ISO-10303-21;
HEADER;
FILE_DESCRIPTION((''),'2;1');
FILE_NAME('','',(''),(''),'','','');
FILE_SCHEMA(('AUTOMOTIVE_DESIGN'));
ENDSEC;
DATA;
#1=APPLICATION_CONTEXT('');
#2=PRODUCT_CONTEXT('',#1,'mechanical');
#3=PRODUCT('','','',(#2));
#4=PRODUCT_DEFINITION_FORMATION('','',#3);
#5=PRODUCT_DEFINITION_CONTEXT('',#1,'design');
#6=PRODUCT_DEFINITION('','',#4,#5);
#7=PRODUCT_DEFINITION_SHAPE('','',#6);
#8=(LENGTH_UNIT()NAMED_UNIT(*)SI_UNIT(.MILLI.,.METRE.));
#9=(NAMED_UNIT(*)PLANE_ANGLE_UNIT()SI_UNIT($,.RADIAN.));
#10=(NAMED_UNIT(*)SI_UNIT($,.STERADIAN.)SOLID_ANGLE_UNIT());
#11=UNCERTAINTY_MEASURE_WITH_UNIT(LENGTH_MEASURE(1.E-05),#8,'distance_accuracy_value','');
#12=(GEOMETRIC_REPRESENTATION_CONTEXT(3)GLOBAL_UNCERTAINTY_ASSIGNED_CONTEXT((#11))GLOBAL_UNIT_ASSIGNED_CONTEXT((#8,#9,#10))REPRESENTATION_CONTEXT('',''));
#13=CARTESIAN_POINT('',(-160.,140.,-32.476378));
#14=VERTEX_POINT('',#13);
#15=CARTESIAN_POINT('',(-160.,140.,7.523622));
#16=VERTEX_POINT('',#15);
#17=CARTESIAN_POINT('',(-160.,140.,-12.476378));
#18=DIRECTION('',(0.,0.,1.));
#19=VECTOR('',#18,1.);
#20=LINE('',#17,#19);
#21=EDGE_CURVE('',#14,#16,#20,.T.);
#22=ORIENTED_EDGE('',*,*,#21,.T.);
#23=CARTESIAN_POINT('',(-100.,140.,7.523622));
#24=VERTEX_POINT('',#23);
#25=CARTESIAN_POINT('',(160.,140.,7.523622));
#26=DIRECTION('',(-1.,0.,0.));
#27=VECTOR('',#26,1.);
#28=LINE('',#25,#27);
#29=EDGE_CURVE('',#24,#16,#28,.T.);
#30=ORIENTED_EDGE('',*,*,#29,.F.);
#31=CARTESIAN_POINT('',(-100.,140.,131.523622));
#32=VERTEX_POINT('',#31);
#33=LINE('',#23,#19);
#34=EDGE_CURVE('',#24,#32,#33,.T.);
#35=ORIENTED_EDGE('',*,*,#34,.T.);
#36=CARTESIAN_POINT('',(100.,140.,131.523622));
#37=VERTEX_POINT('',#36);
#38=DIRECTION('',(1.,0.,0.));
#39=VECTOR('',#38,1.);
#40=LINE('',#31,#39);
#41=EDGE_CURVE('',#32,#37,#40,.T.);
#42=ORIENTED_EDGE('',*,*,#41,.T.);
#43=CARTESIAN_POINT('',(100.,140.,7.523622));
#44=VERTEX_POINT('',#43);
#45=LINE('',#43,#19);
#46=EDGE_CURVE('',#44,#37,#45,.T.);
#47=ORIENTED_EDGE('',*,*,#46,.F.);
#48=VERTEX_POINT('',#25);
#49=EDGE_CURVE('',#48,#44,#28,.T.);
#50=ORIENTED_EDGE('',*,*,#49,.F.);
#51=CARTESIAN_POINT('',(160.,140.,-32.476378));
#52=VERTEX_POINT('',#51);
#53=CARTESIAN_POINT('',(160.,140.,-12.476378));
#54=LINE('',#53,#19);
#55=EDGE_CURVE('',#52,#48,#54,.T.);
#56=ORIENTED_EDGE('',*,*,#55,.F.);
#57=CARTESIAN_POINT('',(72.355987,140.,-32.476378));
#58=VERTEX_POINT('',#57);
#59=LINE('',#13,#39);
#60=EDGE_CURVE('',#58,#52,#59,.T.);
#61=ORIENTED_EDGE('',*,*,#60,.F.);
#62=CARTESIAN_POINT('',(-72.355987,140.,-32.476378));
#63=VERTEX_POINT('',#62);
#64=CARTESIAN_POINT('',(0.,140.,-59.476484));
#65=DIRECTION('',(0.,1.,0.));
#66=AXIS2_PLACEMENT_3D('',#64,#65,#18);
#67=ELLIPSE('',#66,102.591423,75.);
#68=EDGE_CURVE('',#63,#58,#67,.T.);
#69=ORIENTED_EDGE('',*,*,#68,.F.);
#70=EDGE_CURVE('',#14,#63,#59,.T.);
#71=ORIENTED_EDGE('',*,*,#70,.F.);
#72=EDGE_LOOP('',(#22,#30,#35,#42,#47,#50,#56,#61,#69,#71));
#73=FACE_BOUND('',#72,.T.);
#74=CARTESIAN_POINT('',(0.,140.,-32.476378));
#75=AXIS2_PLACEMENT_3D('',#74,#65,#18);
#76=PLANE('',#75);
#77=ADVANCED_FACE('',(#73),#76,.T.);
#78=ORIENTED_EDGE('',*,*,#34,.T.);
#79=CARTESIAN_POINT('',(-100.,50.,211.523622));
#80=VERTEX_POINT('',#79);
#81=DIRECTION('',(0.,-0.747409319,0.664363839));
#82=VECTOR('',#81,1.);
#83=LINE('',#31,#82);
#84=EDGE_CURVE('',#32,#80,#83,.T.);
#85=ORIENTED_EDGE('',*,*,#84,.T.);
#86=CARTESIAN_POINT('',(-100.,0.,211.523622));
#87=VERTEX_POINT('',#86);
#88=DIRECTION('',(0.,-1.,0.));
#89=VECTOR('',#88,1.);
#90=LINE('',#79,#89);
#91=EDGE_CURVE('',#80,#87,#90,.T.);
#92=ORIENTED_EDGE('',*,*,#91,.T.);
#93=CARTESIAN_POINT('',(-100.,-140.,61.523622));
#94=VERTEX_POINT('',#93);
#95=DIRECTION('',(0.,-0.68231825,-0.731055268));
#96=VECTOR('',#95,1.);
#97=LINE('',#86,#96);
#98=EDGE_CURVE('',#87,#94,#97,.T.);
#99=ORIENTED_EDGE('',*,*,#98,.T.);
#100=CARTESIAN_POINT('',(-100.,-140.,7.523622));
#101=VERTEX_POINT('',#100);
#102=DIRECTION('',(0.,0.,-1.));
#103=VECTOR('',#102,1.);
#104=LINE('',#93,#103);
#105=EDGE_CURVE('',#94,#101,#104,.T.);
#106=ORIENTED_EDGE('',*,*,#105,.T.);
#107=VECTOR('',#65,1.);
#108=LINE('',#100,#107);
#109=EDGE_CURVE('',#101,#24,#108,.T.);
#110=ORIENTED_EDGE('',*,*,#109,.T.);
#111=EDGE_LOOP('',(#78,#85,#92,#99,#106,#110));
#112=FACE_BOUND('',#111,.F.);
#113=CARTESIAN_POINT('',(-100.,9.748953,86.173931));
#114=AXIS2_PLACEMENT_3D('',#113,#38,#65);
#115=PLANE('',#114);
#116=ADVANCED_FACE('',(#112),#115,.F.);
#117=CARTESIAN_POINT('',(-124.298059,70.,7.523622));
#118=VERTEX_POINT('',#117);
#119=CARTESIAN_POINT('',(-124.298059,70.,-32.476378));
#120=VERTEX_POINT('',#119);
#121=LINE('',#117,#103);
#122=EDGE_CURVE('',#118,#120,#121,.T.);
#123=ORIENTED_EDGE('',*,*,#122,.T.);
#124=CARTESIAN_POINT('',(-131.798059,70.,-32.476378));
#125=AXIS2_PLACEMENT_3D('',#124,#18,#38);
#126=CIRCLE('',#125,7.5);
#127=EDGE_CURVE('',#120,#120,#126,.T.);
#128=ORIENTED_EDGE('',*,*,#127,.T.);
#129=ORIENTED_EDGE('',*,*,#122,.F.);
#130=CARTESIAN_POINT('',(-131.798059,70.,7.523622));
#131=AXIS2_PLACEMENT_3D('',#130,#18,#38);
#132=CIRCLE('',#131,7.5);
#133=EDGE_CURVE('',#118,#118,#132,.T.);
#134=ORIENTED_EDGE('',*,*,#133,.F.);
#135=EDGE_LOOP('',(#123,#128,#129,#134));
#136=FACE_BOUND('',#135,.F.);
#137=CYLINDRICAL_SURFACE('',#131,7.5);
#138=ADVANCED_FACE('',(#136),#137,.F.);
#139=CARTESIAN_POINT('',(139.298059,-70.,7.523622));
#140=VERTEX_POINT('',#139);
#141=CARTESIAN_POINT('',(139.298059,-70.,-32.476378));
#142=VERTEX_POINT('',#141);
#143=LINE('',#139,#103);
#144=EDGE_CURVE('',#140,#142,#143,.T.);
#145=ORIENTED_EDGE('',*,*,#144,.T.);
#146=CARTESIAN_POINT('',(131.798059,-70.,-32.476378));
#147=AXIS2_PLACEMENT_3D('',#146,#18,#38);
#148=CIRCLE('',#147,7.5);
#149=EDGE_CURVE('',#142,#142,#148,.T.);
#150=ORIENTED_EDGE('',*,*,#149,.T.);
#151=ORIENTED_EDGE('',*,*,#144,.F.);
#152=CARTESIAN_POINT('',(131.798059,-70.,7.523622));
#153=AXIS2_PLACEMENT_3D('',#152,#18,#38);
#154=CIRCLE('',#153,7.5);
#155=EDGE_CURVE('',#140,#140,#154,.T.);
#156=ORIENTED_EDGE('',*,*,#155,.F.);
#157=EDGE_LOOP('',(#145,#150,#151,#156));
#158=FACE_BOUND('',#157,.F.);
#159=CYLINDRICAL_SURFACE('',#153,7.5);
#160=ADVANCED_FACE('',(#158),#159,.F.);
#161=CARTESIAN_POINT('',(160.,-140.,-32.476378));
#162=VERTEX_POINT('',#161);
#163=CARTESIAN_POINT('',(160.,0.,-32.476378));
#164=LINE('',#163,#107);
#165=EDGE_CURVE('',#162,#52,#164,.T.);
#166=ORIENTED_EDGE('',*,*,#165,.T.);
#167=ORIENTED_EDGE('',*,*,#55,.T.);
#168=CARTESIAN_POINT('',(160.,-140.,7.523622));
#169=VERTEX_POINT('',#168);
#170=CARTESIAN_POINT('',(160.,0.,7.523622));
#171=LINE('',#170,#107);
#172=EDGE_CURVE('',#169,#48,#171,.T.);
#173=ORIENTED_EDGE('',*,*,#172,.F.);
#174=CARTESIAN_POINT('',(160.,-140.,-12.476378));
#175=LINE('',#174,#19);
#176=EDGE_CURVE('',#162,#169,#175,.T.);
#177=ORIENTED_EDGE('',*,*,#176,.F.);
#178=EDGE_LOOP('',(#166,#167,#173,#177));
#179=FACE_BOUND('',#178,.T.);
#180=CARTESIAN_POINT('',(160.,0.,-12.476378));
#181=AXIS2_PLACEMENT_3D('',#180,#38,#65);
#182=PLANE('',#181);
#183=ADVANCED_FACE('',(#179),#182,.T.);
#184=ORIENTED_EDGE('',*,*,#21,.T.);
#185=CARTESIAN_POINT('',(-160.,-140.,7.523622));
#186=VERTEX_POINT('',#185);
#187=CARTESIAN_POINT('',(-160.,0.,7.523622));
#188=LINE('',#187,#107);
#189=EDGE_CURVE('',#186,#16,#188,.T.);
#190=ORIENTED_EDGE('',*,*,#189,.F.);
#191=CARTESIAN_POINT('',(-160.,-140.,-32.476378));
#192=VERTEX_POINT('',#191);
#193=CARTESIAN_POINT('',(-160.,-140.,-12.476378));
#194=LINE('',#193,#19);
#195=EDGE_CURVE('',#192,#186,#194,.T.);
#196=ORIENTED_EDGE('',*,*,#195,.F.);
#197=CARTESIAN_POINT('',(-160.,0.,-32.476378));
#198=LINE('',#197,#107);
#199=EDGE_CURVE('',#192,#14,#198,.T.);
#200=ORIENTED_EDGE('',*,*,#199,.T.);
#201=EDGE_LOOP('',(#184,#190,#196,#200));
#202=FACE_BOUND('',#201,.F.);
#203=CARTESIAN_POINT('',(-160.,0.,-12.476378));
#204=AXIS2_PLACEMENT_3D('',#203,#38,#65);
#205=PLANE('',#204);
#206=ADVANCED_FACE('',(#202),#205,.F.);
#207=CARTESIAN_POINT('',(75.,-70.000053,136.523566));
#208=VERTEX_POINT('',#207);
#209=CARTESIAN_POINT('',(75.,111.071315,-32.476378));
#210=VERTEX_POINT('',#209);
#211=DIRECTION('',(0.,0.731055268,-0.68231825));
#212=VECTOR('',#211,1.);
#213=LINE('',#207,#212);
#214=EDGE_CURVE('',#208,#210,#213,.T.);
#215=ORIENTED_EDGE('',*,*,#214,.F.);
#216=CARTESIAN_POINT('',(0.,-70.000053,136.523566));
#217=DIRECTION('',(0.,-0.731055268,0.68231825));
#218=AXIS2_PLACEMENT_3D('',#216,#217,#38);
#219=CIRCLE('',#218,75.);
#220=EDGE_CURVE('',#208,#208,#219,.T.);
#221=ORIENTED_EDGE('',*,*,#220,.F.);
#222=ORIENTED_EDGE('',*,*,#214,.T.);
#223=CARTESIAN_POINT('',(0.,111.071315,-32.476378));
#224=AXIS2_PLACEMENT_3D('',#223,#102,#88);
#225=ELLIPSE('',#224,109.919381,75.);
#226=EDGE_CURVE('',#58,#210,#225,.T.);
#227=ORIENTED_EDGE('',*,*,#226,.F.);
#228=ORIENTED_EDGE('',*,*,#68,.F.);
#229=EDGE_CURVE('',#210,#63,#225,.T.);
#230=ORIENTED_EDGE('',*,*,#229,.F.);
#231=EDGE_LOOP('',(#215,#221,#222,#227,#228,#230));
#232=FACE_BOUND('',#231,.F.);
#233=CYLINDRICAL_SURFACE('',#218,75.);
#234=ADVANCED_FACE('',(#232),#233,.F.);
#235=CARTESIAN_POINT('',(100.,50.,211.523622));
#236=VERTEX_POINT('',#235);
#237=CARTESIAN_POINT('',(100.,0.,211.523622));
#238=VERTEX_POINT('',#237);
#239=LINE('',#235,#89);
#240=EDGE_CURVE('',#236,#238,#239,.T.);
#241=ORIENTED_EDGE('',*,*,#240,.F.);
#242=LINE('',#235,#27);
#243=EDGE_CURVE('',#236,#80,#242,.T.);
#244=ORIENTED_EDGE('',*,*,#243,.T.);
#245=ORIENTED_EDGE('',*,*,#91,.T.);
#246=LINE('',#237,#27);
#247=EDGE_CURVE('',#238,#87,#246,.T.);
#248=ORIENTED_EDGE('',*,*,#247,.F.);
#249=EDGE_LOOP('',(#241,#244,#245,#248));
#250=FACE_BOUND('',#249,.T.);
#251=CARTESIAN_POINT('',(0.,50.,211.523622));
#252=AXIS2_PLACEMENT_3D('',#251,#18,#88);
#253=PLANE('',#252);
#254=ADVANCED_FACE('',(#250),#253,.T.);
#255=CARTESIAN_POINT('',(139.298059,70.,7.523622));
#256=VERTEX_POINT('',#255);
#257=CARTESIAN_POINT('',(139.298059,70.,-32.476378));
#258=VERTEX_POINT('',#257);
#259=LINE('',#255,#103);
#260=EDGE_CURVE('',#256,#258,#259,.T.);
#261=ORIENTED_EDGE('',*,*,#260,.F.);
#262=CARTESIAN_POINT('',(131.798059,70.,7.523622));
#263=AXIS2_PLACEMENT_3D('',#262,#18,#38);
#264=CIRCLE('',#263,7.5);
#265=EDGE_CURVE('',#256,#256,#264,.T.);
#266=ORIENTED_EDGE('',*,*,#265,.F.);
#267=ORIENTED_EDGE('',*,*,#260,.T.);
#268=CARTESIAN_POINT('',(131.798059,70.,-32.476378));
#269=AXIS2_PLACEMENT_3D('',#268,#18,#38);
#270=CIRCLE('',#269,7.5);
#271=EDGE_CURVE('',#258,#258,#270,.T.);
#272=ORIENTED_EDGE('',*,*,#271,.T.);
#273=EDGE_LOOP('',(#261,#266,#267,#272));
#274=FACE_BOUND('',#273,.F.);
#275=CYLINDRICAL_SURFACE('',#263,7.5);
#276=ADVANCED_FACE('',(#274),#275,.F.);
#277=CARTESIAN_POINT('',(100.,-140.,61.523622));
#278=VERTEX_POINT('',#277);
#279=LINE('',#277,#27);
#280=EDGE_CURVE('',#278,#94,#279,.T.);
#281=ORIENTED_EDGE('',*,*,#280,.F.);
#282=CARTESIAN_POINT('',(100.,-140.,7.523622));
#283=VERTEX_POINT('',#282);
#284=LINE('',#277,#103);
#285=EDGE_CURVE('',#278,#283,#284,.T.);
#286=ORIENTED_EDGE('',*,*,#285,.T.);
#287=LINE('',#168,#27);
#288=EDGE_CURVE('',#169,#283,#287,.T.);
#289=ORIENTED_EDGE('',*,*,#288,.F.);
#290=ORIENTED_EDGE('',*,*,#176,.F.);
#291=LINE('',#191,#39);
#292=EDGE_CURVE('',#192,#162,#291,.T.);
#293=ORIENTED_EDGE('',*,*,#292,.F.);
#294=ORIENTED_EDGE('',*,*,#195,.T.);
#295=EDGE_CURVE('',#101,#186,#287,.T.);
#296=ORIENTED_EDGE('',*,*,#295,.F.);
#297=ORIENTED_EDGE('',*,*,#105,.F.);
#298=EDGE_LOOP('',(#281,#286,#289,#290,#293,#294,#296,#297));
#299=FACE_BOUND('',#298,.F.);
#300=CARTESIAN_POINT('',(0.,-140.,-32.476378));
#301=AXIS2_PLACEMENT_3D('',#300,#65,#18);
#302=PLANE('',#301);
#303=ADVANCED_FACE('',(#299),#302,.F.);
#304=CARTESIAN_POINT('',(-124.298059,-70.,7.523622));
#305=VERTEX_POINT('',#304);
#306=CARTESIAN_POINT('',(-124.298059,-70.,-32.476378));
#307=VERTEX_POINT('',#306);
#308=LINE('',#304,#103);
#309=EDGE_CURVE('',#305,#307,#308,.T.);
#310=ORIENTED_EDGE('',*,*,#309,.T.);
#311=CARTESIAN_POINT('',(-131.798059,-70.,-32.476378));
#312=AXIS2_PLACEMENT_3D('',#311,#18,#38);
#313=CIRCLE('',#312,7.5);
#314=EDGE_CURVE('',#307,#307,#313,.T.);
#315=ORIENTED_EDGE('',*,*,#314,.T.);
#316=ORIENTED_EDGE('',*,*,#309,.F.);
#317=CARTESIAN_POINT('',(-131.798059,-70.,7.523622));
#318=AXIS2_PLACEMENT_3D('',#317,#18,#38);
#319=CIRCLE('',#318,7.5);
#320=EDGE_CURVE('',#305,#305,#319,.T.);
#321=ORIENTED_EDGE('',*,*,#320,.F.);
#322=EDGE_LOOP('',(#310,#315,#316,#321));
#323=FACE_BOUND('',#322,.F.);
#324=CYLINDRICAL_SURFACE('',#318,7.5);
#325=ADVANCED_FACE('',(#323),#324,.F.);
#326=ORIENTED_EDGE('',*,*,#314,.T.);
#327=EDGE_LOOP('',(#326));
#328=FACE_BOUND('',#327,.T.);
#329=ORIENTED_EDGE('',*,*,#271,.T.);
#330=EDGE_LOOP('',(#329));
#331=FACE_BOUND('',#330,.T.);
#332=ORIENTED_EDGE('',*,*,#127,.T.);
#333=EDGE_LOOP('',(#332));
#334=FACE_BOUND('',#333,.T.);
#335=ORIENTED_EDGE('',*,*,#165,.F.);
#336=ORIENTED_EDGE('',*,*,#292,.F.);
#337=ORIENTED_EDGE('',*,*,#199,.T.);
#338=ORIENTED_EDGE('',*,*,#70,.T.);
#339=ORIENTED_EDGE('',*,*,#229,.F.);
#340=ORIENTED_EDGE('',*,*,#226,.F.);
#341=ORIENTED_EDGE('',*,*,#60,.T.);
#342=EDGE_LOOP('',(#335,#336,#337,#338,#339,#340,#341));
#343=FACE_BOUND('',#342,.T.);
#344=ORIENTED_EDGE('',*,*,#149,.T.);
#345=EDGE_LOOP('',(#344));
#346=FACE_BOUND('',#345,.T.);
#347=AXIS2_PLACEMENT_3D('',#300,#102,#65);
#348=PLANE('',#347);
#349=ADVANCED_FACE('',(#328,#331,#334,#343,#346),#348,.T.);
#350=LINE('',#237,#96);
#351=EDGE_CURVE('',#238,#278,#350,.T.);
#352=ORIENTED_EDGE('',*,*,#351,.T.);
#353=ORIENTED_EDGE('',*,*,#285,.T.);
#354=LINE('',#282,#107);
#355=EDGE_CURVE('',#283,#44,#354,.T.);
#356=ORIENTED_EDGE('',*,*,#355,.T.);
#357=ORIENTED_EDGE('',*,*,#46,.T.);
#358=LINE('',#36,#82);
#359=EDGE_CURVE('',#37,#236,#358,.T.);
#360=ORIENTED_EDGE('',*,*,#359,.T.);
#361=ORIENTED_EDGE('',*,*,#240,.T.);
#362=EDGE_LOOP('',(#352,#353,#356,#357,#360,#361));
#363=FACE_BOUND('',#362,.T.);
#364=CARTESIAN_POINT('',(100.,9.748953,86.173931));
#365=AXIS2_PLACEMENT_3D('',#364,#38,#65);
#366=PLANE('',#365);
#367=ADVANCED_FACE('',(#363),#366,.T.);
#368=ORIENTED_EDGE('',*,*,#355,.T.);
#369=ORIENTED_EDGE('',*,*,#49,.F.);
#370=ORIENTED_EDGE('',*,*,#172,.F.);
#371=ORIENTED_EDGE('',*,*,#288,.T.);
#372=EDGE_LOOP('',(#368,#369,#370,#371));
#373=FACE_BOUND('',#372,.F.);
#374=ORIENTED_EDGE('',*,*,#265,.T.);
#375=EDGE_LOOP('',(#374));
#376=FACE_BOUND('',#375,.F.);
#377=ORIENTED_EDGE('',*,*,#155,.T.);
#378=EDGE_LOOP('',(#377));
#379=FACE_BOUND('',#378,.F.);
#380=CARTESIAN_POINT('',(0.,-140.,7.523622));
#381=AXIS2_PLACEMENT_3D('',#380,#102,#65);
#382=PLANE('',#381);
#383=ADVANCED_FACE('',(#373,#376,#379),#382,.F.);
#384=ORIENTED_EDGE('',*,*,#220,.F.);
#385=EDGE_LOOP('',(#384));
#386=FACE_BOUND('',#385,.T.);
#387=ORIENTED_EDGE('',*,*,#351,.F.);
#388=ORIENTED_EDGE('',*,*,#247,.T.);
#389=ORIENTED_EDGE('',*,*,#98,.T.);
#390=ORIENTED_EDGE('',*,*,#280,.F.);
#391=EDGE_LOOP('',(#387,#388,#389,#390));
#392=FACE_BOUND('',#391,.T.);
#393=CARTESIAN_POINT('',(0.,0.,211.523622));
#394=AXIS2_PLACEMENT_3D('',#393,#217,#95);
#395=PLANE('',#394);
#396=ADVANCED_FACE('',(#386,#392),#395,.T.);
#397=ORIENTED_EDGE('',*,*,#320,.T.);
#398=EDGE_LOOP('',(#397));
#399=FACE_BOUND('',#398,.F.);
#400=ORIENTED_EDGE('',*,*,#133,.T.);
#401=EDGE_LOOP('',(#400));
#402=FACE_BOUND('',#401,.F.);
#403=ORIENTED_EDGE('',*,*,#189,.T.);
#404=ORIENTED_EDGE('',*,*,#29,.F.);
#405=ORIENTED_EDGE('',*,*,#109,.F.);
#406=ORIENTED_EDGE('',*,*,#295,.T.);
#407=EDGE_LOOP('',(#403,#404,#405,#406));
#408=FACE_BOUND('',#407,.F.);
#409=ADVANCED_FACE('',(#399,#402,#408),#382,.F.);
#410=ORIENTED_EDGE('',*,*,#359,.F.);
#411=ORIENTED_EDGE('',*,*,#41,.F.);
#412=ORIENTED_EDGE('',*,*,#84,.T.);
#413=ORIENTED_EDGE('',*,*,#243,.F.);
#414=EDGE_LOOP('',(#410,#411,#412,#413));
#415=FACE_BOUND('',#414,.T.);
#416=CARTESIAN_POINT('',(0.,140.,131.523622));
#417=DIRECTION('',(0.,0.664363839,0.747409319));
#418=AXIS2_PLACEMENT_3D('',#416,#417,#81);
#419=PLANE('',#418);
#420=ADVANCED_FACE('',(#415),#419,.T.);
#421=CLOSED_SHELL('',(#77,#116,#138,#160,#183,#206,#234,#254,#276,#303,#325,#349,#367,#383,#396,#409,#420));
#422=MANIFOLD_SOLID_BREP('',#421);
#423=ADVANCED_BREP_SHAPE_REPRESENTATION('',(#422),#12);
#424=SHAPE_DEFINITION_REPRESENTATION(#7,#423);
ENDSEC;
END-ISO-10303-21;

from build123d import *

# Parameters (mm, degrees)
F0_W     = 280
F0_H     = 40
F1_DEPTH = 160
F2_DEPTH = 100
F3_R     = 7.5
F4_DEPTH = 50
F5_R     = 75
F6_DEPTH = 421.5


with BuildPart() as f1:
    # F0 (on Right) → F1 (new body, symmetric)
    with BuildSketch(Plane.YZ):
        with Locations((0, -12.4763777256)):
            Rectangle(F0_W, F0_H)
    extrude(amount=F1_DEPTH, both=True)

    # F0 (on Right) → F2 (join, symmetric)
    with BuildSketch(Plane.YZ):
        Polygon((-140, 61.5236222744), (-140, 7.5236222744), (140, 7.5236222744), (140, 131.5236222744), (50, 211.5236222744), (0, 211.5236222744), align=None)
    extrude(amount=F2_DEPTH, both=True)

    # F3 (on face) → F4 (cut)
    with BuildSketch(Plane.XY.offset(7.5236222744)):
        with Locations((-131.7980587482, 70)):
            Circle(F3_R)
        with Locations((-131.7980587482, -70)):
            Circle(F3_R)
        with Locations((131.7980587482, 70)):
            Circle(F3_R)
        with Locations((131.7980587482, -70)):
            Circle(F3_R)
    extrude(amount=-F4_DEPTH, mode=Mode.SUBTRACT)

    # F5 (on face) → F6 (cut)
    with BuildSketch(Plane(origin=(0, -105.5105954338, 98.4765557382), x_dir=(1, 0, 0), z_dir=(0, -0.7310552682, 0.6823182504))):
        with Locations((0, 52.0439584215)):
            Circle(F5_R)
    extrude(amount=-F6_DEPTH, mode=Mode.SUBTRACT)


solid = f1.part
